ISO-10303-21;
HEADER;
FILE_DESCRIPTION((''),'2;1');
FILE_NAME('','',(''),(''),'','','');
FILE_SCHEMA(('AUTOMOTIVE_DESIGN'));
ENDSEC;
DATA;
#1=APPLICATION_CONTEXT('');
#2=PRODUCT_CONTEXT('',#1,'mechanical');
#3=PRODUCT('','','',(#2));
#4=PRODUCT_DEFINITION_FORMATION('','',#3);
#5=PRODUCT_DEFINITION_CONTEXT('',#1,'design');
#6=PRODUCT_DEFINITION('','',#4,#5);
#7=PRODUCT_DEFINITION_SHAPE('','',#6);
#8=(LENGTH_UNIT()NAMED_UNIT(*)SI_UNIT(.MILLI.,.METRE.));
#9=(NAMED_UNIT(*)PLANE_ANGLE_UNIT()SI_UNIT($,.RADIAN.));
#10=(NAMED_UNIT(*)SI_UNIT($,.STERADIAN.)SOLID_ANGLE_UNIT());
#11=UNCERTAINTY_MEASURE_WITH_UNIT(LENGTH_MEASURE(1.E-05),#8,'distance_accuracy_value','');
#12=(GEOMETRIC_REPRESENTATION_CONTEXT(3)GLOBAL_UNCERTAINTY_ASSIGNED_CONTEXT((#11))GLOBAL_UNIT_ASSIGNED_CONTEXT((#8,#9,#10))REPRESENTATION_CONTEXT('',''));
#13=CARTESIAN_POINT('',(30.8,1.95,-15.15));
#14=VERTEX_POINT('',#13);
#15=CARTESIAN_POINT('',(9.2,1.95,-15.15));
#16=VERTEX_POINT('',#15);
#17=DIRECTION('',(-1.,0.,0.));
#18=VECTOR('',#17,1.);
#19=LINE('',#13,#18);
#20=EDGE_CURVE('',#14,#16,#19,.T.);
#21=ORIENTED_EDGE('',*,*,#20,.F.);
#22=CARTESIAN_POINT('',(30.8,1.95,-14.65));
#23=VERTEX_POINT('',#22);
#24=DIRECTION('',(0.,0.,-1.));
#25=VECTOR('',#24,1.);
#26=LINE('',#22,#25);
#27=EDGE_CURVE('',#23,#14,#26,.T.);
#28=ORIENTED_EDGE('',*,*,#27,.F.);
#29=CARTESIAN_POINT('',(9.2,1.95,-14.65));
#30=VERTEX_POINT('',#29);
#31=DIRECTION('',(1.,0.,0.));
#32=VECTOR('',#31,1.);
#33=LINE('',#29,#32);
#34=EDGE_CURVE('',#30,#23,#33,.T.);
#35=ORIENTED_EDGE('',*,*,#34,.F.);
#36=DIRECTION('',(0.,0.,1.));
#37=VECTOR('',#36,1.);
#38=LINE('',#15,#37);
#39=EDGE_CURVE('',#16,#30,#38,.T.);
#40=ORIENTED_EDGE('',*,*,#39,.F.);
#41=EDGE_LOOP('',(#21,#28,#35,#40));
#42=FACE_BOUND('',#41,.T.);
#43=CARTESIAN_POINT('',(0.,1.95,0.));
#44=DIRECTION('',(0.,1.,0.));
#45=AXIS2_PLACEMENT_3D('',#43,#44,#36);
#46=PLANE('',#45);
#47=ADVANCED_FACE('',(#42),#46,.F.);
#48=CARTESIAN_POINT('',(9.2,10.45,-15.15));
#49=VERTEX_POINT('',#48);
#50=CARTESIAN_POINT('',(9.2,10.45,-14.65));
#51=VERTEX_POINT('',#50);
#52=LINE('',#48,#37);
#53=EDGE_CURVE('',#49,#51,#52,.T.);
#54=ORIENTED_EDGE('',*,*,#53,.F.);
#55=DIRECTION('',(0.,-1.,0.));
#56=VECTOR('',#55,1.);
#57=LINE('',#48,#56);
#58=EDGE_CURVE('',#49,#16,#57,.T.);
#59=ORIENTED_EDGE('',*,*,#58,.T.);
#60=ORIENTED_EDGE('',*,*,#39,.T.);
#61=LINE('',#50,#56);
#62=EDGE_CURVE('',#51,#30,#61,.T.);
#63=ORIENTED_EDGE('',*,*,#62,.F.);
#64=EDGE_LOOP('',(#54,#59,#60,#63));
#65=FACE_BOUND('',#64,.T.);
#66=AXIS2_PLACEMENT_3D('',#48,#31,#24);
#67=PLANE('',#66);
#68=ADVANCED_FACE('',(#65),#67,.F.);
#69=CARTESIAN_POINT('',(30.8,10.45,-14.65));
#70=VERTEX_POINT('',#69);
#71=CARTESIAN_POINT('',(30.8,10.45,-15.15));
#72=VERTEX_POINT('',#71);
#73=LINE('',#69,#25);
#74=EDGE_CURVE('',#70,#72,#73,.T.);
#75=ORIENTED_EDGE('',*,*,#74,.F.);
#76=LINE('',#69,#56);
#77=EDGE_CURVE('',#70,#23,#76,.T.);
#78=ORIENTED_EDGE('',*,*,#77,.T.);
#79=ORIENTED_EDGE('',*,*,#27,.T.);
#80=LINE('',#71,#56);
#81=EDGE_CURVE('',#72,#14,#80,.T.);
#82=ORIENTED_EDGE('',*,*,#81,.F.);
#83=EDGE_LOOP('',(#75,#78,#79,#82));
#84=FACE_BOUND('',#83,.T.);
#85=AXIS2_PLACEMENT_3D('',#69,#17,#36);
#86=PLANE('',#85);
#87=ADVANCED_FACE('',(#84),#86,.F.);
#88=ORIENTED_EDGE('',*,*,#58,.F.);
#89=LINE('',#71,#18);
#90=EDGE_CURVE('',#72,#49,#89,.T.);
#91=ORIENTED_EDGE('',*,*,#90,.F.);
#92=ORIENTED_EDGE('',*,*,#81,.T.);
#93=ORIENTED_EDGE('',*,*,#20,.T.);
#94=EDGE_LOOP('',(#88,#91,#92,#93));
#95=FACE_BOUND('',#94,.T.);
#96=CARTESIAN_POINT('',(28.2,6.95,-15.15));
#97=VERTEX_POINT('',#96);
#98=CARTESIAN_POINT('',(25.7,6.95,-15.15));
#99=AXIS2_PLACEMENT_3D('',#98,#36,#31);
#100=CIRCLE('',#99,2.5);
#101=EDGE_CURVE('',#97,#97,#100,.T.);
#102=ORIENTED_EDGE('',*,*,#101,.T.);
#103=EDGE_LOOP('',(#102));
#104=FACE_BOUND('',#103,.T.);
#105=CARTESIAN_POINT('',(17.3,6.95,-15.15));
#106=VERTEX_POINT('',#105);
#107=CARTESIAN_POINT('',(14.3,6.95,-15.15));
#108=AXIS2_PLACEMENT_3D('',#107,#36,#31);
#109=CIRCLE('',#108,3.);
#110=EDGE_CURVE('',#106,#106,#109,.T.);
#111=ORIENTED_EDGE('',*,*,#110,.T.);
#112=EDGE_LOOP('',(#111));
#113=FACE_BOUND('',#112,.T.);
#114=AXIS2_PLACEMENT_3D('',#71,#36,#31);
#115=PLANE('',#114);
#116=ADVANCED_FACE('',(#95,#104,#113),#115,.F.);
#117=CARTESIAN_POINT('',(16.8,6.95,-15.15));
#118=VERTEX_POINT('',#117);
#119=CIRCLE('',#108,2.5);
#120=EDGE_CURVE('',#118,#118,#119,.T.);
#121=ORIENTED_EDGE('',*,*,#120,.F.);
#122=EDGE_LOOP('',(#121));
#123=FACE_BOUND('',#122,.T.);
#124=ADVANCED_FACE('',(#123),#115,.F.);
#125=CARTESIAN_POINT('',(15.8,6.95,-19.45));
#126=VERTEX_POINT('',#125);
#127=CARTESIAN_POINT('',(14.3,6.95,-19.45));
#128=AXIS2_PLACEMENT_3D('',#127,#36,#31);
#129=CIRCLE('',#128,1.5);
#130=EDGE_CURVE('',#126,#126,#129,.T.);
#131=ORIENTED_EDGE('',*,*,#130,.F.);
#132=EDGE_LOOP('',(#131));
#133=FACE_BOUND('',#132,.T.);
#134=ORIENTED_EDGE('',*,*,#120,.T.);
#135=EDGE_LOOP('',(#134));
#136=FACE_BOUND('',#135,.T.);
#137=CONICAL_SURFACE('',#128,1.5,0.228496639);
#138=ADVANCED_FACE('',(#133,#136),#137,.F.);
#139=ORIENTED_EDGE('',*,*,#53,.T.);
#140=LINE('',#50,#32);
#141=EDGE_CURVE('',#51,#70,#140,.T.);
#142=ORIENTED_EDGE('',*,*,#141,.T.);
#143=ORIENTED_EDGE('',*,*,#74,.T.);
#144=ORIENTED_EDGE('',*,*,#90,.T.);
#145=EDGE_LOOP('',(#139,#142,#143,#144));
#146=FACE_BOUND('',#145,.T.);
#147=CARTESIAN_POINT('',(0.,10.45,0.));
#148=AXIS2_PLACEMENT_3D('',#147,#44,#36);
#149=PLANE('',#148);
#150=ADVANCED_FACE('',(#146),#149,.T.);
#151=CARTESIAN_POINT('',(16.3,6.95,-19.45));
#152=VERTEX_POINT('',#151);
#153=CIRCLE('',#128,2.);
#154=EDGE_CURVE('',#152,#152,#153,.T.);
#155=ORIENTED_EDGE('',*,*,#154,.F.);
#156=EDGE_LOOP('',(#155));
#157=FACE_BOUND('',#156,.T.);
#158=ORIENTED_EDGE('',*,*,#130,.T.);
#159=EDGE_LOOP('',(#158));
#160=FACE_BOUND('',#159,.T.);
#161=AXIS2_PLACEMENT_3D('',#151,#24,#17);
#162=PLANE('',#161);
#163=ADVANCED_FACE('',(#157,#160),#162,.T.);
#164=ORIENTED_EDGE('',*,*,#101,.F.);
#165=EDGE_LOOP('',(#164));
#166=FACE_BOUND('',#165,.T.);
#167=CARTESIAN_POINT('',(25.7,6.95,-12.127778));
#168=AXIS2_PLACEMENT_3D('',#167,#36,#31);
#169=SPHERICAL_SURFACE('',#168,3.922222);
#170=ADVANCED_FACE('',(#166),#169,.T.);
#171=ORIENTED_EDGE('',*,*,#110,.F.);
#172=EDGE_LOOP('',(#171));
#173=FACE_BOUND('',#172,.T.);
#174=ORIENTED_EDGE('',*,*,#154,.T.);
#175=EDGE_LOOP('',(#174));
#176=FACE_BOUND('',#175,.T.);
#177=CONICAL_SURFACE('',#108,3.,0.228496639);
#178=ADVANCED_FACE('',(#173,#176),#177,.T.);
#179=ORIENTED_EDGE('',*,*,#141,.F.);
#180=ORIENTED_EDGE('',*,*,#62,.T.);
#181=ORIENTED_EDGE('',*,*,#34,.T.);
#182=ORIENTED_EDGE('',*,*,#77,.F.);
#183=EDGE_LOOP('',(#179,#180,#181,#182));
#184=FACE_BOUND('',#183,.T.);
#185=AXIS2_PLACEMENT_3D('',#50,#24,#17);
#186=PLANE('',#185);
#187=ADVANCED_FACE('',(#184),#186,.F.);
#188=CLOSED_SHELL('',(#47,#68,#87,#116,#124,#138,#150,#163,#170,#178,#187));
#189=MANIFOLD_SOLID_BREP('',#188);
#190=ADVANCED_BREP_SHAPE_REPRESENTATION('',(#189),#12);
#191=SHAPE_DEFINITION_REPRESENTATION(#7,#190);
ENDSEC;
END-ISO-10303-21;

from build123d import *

# Parameters (mm, degrees)
SERIES_PLATE_21_6_X_8_5_X_0_5_SKETCH_W = 21.6
SERIES_PLATE_21_6_X_8_5_X_0_5_SKETCH_H = 0.5
SERIES_PLATE_21_6_X_8_5_X_0_5_DEPTH    = 8.5


with BuildPart() as part:
    # Series Plate 21.6 x 8.5 x 0.5 Sketch → Series Plate 21.6 x 8.5 x 0.5 (new body)
    with BuildSketch(Plane(origin=(0, 1.95, 0), x_dir=(1, 0, 0), z_dir=(0, 1, 0))):
        with Locations((20, 14.9)):
            Rectangle(SERIES_PLATE_21_6_X_8_5_X_0_5_SKETCH_W, SERIES_PLATE_21_6_X_8_5_X_0_5_SKETCH_H)
    extrude(amount=SERIES_PLATE_21_6_X_8_5_X_0_5_DEPTH)

    # Spring (compressed 4.3) Sketch → Spring (compressed 4.3) (revolve)
    with BuildSketch(Plane(origin=(0, 6.95, 0), x_dir=(1, 0, 0), z_dir=(0, 1, 0))):
        Polygon((16.8, 15.15), (17.3, 15.15), (16.3, 19.45), (15.8, 19.45), align=None)
    revolve(axis=Axis((14.3, 6.95, -14.15), (0, 0, -1)))

    # Dimple 0.9 Sketch → Dimple 0.9 (revolve)
    with BuildSketch(Plane(origin=(0, 6.95, 0), x_dir=(1, 0, 0), z_dir=(0, 1, 0))):
        with BuildLine():
            Line((25.7, 15.15), (28.2, 15.15))
            ThreePointArc((28.2, 15.15), (27.028533026, 15.818147293), (25.7, 16.05))
            Line((25.7, 16.05), (25.7, 15.15))
        make_face()
    revolve(axis=Axis((25.7, 6.95, -14.15), (0, 0, -1)))


solid = part.part
